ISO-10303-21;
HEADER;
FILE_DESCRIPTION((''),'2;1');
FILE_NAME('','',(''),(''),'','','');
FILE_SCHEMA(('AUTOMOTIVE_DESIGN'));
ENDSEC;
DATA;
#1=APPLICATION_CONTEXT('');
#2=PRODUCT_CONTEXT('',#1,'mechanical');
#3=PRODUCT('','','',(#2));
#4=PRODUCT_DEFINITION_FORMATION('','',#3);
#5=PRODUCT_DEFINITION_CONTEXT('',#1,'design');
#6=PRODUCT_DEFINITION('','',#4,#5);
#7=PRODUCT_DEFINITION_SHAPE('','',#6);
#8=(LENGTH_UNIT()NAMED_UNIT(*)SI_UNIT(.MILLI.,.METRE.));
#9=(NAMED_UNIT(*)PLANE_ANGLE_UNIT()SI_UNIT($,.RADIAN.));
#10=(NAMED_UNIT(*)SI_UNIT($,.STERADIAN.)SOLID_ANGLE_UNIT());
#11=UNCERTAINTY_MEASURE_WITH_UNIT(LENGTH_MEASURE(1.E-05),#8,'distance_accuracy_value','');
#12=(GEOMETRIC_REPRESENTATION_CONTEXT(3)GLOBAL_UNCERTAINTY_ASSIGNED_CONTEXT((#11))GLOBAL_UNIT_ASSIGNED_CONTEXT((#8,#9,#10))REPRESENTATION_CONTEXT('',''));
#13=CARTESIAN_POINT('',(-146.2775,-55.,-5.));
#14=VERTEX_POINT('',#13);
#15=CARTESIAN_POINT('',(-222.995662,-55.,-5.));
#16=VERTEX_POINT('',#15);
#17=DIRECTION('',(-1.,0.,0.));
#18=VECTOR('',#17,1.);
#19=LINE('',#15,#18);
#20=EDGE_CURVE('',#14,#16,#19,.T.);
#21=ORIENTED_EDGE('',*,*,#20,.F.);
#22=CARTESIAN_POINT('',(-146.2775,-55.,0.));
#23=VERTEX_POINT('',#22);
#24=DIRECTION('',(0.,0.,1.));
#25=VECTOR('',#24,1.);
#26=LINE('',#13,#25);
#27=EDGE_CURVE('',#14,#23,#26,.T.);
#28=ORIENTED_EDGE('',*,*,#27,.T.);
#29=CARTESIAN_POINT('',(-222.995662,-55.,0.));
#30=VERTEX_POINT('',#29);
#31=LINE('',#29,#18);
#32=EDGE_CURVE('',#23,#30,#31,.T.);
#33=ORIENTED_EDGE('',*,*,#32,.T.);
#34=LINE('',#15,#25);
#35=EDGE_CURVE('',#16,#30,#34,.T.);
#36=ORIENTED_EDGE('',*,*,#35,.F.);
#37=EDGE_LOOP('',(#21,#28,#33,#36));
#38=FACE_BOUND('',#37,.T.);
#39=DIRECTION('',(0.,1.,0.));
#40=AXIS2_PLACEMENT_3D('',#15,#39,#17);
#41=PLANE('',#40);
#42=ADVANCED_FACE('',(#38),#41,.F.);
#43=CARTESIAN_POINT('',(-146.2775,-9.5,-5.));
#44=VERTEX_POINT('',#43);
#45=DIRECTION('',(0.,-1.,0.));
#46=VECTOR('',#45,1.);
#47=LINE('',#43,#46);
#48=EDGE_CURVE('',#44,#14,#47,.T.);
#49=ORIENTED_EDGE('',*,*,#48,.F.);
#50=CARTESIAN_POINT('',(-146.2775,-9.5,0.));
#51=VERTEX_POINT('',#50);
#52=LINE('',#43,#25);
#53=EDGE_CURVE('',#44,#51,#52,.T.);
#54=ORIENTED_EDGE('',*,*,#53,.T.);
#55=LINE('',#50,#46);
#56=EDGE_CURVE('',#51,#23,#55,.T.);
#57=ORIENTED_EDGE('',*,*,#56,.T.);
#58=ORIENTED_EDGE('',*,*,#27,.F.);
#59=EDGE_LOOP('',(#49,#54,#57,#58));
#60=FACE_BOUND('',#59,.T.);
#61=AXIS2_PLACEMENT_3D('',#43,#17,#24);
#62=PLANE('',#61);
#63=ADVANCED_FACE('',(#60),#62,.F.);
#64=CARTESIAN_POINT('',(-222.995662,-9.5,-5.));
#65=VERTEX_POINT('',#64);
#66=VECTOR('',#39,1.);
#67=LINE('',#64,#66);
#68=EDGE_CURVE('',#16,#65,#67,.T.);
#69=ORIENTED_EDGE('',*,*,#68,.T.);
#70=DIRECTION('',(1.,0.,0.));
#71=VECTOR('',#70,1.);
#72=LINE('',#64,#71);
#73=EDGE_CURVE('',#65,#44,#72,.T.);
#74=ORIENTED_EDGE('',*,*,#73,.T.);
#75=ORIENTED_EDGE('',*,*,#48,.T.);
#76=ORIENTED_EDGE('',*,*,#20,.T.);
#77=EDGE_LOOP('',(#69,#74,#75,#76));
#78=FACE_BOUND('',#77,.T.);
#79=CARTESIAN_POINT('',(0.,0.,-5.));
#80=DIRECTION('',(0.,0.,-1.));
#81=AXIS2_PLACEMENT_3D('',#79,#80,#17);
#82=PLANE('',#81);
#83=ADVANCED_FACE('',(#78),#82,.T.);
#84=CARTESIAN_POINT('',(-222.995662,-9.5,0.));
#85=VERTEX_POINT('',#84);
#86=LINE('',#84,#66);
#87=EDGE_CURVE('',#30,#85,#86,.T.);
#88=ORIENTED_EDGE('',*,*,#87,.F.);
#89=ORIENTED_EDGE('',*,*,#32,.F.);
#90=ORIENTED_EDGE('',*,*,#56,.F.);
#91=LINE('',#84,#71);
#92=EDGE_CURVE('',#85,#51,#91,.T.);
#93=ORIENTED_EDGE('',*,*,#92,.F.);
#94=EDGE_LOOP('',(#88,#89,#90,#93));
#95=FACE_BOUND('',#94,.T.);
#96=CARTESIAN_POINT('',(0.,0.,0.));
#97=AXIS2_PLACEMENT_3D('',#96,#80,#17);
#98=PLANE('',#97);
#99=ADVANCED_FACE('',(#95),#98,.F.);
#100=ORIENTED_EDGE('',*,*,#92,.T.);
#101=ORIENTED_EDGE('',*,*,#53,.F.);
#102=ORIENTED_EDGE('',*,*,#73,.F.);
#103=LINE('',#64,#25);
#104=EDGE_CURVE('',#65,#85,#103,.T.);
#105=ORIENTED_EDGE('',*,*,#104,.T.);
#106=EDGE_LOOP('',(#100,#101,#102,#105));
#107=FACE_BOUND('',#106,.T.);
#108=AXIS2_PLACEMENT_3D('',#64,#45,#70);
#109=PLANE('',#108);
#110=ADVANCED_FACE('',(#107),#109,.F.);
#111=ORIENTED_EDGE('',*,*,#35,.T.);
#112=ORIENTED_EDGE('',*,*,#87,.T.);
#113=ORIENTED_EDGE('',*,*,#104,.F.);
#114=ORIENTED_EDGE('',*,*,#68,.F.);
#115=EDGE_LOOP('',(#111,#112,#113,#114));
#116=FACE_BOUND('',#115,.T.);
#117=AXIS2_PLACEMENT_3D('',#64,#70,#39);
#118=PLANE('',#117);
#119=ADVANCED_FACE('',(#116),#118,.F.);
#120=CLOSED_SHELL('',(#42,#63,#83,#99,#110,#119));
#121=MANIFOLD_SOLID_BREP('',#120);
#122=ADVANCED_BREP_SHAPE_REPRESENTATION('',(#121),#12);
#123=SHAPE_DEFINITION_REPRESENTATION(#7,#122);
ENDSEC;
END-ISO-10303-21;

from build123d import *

# Parameters (mm, degrees)
SKETCH2_W           = 76.718161642
SKETCH2_H           = 45.5
BOSS_EXTRUDE1_DEPTH = 5


with BuildPart() as part:
    # Sketch2 → Boss-Extrude1 (new body)
    with BuildSketch(Plane(origin=(0, 0, 0), x_dir=(-1, 0, 0), z_dir=(0, 0, -1))):
        with Locations((184.636580821, -32.25)):
            Rectangle(SKETCH2_W, SKETCH2_H)
    extrude(amount=BOSS_EXTRUDE1_DEPTH)


solid = part.part
